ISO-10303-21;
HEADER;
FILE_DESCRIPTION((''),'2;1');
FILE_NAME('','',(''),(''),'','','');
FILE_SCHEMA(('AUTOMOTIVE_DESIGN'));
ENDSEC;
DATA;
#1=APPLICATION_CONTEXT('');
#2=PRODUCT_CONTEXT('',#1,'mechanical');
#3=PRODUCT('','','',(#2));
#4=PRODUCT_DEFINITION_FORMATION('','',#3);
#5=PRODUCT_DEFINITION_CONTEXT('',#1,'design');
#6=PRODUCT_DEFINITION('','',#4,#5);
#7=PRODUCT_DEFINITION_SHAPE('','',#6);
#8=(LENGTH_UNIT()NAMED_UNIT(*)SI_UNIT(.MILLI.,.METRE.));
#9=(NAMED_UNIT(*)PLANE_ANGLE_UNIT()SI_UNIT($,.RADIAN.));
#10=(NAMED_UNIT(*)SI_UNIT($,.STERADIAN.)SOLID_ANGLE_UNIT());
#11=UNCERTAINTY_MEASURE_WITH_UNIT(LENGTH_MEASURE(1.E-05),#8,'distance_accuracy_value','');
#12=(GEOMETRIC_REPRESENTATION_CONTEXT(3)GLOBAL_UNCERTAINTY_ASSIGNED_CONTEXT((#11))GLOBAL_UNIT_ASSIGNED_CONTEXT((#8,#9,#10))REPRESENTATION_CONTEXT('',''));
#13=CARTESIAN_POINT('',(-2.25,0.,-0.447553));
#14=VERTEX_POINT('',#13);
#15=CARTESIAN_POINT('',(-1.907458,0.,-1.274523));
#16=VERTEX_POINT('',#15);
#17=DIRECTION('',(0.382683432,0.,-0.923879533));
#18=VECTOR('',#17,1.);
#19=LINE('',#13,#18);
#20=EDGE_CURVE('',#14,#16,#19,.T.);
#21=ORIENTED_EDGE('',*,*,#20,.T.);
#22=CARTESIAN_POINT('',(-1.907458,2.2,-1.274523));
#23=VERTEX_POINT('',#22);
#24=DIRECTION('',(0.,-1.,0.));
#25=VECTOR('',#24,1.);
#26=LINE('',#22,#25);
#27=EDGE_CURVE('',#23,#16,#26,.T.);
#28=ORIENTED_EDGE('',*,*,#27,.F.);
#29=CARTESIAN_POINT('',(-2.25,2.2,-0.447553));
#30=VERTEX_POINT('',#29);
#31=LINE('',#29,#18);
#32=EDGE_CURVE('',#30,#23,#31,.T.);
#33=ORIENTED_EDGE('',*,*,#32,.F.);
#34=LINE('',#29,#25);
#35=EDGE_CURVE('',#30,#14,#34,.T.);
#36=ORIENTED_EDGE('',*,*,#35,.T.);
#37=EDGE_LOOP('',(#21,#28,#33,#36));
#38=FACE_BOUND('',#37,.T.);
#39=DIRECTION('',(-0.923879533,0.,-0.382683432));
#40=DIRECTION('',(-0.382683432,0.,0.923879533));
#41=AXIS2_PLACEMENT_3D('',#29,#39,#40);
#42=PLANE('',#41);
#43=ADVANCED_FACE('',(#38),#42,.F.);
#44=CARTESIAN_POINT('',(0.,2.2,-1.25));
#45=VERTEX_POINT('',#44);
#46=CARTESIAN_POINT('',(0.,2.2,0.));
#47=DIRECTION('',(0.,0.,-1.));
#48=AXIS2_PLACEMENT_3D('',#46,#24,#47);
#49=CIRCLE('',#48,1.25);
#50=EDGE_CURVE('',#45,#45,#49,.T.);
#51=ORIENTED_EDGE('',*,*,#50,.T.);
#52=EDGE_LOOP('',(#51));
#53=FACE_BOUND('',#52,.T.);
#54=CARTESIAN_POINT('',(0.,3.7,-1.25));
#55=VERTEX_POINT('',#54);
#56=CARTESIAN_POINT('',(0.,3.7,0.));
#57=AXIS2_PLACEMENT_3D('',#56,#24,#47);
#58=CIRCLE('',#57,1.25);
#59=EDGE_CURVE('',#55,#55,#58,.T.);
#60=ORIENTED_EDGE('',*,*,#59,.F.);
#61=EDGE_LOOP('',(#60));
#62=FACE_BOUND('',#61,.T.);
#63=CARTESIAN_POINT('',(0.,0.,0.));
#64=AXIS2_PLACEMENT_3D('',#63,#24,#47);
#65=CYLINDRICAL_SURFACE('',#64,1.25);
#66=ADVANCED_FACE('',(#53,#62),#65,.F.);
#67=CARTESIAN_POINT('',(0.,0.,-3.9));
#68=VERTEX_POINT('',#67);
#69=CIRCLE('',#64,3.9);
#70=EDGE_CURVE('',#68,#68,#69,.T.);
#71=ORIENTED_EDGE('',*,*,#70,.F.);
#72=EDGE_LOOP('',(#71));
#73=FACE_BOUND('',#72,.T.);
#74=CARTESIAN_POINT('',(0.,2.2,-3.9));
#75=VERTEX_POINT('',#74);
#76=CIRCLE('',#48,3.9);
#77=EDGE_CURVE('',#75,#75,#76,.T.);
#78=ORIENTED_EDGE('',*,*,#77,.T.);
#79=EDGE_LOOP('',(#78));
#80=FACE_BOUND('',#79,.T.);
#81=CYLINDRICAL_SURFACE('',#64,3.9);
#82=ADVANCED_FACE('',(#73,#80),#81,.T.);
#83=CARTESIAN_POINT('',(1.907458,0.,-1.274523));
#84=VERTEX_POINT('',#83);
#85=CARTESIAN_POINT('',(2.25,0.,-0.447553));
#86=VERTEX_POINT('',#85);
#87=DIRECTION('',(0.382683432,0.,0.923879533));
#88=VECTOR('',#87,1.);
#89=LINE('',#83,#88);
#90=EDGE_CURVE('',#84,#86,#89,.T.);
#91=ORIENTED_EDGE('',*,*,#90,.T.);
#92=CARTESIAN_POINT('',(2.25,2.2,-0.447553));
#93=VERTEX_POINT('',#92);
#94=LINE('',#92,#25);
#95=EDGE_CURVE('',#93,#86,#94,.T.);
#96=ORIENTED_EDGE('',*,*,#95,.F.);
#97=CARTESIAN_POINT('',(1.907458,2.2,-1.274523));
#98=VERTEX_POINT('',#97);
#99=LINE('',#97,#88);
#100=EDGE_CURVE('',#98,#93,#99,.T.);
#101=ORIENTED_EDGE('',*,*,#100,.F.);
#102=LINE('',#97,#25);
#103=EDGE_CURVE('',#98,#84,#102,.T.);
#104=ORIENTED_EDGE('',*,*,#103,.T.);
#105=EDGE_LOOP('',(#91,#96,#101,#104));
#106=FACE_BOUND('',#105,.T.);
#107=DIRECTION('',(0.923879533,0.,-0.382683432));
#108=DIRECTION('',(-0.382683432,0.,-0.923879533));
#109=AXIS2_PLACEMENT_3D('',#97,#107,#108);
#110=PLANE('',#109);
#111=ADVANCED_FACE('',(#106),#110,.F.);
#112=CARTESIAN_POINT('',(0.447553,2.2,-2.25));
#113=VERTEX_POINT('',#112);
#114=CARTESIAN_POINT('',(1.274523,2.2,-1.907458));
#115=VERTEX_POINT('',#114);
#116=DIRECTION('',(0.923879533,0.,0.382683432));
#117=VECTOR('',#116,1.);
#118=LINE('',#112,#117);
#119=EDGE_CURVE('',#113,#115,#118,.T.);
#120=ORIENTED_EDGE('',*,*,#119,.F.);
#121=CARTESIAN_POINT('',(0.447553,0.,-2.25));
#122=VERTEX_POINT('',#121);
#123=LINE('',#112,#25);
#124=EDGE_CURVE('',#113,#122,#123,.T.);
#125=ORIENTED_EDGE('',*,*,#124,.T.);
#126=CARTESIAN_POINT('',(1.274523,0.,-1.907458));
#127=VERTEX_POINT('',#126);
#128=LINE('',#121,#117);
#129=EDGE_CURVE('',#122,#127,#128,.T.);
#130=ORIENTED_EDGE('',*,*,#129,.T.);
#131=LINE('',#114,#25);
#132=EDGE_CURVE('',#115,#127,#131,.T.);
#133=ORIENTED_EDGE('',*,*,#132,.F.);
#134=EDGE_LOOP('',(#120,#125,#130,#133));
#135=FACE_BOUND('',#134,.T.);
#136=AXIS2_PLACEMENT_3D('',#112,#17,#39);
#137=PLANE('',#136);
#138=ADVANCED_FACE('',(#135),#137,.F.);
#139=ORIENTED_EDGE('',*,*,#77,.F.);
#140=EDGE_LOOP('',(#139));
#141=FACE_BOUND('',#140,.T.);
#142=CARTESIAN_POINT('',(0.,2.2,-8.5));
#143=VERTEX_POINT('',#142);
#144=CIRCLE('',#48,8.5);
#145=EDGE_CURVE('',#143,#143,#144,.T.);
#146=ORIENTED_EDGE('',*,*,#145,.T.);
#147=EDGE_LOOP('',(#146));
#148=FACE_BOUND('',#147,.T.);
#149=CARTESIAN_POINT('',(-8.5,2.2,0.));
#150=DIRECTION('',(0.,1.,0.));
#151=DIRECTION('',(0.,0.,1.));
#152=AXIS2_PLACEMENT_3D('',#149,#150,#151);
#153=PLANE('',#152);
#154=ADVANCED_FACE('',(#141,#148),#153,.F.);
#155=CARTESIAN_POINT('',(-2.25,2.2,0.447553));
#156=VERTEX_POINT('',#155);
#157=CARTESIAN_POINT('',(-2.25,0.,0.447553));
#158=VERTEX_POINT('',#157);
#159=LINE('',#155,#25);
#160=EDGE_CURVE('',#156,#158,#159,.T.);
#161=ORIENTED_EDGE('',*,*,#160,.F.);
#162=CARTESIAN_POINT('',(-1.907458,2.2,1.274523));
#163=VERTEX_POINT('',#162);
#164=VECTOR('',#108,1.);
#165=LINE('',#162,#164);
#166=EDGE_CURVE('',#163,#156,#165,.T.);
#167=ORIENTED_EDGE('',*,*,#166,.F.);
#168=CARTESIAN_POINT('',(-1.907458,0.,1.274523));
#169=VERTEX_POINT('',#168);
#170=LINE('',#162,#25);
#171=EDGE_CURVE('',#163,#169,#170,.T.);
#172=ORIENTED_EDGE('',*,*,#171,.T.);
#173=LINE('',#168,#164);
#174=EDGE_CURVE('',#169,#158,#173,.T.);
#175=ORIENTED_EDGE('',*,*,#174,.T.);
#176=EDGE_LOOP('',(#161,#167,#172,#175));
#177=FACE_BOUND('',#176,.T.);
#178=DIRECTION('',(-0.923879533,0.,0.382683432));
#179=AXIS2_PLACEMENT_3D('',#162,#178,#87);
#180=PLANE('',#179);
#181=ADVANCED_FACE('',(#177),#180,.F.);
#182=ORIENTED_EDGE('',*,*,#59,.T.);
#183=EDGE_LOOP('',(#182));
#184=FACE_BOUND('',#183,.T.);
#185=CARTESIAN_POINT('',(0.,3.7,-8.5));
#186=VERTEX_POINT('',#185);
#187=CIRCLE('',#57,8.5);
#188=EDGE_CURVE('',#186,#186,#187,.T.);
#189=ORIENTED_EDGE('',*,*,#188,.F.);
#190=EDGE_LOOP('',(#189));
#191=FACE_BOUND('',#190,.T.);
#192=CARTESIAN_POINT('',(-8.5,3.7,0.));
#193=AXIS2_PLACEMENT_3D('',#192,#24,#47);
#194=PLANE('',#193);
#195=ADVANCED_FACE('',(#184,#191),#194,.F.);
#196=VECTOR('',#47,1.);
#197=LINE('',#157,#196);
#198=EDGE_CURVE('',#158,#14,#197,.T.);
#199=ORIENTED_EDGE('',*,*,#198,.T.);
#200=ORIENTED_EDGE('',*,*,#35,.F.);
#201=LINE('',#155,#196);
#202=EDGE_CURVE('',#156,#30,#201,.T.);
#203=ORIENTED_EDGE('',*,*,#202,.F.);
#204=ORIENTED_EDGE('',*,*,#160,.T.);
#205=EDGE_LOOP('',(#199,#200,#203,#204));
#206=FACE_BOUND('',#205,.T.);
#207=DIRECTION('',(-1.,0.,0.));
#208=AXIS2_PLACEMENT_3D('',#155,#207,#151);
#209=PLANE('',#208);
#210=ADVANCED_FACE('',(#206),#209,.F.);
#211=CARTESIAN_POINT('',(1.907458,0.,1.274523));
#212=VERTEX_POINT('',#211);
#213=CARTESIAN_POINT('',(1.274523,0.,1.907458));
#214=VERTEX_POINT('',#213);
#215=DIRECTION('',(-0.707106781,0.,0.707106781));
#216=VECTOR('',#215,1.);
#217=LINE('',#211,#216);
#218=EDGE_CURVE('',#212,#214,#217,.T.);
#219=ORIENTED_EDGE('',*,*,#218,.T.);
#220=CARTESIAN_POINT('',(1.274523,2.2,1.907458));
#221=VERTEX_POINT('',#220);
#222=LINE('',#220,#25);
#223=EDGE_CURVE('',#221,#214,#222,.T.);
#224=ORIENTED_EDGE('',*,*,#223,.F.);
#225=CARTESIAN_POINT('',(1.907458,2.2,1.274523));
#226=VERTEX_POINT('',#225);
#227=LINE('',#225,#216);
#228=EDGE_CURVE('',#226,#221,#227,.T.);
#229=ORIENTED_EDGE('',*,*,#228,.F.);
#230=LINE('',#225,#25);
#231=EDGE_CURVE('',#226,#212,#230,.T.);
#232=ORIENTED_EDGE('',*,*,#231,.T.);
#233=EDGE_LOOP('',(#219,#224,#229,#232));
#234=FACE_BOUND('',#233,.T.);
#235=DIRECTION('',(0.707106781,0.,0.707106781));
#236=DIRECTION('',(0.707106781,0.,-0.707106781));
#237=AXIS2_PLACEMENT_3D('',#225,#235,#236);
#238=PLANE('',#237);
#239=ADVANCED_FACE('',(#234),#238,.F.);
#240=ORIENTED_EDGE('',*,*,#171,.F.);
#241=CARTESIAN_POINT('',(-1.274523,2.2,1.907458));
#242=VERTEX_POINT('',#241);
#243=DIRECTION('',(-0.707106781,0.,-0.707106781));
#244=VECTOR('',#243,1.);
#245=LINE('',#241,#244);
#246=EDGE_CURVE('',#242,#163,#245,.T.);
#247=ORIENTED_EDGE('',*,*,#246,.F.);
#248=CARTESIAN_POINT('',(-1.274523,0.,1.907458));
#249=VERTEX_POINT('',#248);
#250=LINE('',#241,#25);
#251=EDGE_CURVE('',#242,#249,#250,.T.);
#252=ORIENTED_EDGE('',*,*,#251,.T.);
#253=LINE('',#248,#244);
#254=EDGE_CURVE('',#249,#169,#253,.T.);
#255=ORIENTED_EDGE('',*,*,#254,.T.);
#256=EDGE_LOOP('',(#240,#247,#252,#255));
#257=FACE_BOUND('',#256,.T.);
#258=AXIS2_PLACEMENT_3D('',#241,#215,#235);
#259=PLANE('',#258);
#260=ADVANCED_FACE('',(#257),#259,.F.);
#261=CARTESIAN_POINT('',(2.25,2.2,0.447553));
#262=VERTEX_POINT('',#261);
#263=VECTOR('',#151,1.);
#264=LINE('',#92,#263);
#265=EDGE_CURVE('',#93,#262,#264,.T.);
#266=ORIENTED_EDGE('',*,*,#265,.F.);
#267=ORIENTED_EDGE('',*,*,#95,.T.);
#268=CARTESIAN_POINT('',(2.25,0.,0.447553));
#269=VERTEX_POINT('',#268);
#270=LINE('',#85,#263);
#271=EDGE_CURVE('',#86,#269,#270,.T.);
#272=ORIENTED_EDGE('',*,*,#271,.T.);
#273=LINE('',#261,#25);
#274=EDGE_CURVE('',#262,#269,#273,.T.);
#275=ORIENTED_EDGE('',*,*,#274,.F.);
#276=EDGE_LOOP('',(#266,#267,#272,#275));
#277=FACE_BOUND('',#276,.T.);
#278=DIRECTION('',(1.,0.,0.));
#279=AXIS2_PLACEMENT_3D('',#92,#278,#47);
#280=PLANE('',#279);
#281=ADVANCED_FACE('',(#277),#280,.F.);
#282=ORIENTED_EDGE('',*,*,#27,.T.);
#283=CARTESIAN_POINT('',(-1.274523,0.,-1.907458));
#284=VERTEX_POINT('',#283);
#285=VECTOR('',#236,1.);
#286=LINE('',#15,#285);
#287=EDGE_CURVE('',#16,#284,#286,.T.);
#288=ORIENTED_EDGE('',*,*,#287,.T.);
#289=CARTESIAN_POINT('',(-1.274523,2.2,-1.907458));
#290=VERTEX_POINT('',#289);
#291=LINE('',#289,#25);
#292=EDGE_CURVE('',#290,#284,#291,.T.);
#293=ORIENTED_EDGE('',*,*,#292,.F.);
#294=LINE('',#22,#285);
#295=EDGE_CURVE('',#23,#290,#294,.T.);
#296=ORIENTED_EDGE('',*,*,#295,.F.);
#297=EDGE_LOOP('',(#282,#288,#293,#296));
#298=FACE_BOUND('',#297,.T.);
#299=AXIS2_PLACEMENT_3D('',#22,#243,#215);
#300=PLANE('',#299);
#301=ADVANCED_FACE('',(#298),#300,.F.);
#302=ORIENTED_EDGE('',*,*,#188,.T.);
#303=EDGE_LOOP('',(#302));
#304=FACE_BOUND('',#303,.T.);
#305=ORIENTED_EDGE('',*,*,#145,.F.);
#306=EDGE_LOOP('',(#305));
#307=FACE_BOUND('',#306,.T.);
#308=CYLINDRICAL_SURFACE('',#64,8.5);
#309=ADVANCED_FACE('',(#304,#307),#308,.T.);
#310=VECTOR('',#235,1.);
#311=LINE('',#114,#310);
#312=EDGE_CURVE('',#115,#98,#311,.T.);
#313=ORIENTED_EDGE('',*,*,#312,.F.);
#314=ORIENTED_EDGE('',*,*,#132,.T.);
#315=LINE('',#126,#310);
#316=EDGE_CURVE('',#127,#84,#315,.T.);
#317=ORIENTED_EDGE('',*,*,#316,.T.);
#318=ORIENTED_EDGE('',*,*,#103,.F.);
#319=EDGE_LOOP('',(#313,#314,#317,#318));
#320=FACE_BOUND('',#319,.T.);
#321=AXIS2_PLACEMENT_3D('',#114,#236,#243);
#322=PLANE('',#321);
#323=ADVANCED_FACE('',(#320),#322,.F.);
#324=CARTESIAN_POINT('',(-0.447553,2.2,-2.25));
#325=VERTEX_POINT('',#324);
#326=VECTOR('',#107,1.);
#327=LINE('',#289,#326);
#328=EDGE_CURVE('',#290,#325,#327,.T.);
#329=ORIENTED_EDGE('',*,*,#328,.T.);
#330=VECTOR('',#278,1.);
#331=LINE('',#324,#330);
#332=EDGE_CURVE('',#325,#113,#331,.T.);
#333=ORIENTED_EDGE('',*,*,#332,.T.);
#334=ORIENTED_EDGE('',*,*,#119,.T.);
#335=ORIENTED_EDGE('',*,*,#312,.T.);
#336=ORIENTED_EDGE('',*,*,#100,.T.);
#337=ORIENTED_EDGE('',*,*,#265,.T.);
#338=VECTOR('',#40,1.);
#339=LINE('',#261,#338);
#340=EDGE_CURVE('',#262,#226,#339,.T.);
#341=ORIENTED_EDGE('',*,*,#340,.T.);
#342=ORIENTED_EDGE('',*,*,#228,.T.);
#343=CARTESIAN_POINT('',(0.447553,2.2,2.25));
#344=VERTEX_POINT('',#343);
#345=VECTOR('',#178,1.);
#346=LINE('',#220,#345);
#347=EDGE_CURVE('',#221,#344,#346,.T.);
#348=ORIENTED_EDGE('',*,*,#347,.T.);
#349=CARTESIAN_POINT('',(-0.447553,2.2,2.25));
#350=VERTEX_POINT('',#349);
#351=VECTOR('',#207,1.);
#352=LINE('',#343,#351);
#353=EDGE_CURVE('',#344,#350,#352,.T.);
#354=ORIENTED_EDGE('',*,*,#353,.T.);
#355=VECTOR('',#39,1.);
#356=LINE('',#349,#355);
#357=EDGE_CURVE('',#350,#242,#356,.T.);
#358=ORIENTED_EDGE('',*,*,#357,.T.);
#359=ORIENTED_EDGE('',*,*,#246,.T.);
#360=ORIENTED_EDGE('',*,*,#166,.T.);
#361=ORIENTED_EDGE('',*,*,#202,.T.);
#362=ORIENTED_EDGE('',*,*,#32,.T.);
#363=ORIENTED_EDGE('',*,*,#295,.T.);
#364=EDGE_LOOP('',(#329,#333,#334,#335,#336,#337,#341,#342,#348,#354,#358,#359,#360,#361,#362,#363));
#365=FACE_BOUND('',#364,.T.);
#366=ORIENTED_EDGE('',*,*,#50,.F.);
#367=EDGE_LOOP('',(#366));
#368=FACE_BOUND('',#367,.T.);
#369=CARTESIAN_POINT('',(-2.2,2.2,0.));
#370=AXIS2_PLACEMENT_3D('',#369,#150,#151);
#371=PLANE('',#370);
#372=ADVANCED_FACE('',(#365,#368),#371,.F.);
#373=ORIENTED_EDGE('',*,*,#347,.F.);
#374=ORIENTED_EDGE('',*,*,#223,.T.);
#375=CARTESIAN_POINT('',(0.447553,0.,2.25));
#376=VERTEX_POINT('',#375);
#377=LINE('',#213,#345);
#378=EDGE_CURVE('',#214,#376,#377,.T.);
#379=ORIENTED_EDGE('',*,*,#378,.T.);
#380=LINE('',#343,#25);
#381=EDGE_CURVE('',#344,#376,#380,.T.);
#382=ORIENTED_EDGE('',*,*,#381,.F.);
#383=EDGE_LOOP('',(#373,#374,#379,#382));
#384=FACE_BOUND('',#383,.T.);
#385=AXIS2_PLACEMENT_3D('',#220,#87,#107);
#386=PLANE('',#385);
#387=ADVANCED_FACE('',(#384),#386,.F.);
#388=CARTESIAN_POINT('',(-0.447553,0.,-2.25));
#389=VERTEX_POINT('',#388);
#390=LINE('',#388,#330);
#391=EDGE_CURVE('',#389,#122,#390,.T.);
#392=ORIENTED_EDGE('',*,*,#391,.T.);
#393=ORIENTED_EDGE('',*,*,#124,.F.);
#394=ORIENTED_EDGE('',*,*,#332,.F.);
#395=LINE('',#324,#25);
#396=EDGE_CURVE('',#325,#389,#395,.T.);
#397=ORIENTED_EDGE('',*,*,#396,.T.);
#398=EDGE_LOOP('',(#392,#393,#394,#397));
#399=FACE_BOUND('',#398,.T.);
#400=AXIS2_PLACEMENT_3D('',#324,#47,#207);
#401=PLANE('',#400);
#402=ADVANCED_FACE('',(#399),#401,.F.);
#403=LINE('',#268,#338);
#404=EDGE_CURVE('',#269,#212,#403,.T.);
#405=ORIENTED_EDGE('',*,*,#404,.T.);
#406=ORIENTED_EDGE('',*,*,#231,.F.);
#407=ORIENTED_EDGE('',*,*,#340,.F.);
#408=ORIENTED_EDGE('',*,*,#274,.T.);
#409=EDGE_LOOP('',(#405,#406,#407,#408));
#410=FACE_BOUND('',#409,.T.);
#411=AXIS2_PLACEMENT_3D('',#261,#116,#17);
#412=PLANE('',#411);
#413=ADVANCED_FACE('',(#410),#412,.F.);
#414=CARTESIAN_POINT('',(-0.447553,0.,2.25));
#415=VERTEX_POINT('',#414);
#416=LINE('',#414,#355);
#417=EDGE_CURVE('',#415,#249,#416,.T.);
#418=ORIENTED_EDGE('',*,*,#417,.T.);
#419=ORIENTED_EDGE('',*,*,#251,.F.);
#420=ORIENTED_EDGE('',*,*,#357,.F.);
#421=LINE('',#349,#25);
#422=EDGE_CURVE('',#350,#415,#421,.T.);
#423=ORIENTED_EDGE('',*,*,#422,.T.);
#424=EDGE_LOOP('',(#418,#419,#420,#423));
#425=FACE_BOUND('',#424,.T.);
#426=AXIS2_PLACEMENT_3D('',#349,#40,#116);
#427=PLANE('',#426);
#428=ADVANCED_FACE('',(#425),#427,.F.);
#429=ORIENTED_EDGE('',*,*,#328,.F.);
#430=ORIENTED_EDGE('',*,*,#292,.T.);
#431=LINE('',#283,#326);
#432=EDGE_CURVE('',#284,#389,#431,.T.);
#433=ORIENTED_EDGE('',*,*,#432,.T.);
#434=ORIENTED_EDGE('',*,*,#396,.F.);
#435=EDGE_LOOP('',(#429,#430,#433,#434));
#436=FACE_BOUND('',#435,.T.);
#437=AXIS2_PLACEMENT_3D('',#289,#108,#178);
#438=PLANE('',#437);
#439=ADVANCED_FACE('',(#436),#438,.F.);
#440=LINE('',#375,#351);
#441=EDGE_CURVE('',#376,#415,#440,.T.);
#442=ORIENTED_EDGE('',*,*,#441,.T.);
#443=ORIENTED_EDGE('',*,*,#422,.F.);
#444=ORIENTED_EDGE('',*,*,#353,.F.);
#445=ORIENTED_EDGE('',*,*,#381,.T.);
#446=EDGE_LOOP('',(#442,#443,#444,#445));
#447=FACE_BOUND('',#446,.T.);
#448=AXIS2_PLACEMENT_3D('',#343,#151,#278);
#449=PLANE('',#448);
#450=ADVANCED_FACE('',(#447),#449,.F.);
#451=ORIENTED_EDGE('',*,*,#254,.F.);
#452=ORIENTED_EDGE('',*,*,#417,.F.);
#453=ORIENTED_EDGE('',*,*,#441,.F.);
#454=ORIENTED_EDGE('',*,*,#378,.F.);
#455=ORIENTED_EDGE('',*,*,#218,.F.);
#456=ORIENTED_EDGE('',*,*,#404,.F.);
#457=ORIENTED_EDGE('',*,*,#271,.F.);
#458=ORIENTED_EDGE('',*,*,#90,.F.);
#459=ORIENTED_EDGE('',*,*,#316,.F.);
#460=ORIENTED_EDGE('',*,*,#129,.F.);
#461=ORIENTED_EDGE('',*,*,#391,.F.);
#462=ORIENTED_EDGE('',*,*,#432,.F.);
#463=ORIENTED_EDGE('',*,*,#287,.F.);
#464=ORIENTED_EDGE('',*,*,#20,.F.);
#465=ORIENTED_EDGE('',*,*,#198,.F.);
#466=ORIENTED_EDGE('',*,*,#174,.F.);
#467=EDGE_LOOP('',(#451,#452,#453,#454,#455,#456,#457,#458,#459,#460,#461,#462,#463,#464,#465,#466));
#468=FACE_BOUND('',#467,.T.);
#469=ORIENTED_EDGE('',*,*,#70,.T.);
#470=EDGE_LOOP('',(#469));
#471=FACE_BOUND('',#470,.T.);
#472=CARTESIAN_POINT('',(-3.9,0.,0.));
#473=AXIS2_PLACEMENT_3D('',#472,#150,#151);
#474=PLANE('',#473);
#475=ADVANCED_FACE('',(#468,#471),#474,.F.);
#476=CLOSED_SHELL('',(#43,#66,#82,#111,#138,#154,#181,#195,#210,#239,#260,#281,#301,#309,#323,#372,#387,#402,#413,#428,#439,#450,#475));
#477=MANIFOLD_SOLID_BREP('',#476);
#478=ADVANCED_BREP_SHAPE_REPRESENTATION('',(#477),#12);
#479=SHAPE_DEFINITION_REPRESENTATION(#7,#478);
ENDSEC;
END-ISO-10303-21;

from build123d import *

# Parameters (mm, degrees)
ENL_V_MAT_EXTRU_1_DEPTH = 2.2


with BuildPart() as part:
    # Esquisse1 → Révolution1 (revolve)
    with BuildSketch(Plane.XY, mode=Mode.PRIVATE) as r_volution1_sk:
        Polygon((-8.5, 3.7), (-1.25, 3.7), (-1.25, 2.2), (-2.2, 2.2), (-2.2, 0), (-3.9, 0), (-3.9, 2.2), (-8.5, 2.2), align=None)
    revolve(r_volution1_sk.sketch.rotate(Axis((0, 0, 0), (0, 1, 0)), 270), axis=Axis((0, 0, 0), (0, 1, 0)))

    # Esquisse2 → Enlèv. mat.-Extru.1 (cut)
    with BuildSketch(Plane.XZ):
        Polygon((1.274522619, -1.907457896), (1.907457896, -1.274522619), (2.25, -0.447552827), (2.25, 0.447552827), (1.907457896, 1.274522619), (1.274522619, 1.907457896), (0.447552827, 2.25), (-0.447552827, 2.25), (-1.274522619, 1.907457896), (-1.907457896, 1.274522619), (-2.25, 0.447552827), (-2.25, -0.447552827), (-1.907457896, -1.274522619), (-1.274522619, -1.907457896), (-0.447552827, -2.25), (0.447552827, -2.25), align=None)
    extrude(amount=-ENL_V_MAT_EXTRU_1_DEPTH, mode=Mode.SUBTRACT)


solid = part.part
